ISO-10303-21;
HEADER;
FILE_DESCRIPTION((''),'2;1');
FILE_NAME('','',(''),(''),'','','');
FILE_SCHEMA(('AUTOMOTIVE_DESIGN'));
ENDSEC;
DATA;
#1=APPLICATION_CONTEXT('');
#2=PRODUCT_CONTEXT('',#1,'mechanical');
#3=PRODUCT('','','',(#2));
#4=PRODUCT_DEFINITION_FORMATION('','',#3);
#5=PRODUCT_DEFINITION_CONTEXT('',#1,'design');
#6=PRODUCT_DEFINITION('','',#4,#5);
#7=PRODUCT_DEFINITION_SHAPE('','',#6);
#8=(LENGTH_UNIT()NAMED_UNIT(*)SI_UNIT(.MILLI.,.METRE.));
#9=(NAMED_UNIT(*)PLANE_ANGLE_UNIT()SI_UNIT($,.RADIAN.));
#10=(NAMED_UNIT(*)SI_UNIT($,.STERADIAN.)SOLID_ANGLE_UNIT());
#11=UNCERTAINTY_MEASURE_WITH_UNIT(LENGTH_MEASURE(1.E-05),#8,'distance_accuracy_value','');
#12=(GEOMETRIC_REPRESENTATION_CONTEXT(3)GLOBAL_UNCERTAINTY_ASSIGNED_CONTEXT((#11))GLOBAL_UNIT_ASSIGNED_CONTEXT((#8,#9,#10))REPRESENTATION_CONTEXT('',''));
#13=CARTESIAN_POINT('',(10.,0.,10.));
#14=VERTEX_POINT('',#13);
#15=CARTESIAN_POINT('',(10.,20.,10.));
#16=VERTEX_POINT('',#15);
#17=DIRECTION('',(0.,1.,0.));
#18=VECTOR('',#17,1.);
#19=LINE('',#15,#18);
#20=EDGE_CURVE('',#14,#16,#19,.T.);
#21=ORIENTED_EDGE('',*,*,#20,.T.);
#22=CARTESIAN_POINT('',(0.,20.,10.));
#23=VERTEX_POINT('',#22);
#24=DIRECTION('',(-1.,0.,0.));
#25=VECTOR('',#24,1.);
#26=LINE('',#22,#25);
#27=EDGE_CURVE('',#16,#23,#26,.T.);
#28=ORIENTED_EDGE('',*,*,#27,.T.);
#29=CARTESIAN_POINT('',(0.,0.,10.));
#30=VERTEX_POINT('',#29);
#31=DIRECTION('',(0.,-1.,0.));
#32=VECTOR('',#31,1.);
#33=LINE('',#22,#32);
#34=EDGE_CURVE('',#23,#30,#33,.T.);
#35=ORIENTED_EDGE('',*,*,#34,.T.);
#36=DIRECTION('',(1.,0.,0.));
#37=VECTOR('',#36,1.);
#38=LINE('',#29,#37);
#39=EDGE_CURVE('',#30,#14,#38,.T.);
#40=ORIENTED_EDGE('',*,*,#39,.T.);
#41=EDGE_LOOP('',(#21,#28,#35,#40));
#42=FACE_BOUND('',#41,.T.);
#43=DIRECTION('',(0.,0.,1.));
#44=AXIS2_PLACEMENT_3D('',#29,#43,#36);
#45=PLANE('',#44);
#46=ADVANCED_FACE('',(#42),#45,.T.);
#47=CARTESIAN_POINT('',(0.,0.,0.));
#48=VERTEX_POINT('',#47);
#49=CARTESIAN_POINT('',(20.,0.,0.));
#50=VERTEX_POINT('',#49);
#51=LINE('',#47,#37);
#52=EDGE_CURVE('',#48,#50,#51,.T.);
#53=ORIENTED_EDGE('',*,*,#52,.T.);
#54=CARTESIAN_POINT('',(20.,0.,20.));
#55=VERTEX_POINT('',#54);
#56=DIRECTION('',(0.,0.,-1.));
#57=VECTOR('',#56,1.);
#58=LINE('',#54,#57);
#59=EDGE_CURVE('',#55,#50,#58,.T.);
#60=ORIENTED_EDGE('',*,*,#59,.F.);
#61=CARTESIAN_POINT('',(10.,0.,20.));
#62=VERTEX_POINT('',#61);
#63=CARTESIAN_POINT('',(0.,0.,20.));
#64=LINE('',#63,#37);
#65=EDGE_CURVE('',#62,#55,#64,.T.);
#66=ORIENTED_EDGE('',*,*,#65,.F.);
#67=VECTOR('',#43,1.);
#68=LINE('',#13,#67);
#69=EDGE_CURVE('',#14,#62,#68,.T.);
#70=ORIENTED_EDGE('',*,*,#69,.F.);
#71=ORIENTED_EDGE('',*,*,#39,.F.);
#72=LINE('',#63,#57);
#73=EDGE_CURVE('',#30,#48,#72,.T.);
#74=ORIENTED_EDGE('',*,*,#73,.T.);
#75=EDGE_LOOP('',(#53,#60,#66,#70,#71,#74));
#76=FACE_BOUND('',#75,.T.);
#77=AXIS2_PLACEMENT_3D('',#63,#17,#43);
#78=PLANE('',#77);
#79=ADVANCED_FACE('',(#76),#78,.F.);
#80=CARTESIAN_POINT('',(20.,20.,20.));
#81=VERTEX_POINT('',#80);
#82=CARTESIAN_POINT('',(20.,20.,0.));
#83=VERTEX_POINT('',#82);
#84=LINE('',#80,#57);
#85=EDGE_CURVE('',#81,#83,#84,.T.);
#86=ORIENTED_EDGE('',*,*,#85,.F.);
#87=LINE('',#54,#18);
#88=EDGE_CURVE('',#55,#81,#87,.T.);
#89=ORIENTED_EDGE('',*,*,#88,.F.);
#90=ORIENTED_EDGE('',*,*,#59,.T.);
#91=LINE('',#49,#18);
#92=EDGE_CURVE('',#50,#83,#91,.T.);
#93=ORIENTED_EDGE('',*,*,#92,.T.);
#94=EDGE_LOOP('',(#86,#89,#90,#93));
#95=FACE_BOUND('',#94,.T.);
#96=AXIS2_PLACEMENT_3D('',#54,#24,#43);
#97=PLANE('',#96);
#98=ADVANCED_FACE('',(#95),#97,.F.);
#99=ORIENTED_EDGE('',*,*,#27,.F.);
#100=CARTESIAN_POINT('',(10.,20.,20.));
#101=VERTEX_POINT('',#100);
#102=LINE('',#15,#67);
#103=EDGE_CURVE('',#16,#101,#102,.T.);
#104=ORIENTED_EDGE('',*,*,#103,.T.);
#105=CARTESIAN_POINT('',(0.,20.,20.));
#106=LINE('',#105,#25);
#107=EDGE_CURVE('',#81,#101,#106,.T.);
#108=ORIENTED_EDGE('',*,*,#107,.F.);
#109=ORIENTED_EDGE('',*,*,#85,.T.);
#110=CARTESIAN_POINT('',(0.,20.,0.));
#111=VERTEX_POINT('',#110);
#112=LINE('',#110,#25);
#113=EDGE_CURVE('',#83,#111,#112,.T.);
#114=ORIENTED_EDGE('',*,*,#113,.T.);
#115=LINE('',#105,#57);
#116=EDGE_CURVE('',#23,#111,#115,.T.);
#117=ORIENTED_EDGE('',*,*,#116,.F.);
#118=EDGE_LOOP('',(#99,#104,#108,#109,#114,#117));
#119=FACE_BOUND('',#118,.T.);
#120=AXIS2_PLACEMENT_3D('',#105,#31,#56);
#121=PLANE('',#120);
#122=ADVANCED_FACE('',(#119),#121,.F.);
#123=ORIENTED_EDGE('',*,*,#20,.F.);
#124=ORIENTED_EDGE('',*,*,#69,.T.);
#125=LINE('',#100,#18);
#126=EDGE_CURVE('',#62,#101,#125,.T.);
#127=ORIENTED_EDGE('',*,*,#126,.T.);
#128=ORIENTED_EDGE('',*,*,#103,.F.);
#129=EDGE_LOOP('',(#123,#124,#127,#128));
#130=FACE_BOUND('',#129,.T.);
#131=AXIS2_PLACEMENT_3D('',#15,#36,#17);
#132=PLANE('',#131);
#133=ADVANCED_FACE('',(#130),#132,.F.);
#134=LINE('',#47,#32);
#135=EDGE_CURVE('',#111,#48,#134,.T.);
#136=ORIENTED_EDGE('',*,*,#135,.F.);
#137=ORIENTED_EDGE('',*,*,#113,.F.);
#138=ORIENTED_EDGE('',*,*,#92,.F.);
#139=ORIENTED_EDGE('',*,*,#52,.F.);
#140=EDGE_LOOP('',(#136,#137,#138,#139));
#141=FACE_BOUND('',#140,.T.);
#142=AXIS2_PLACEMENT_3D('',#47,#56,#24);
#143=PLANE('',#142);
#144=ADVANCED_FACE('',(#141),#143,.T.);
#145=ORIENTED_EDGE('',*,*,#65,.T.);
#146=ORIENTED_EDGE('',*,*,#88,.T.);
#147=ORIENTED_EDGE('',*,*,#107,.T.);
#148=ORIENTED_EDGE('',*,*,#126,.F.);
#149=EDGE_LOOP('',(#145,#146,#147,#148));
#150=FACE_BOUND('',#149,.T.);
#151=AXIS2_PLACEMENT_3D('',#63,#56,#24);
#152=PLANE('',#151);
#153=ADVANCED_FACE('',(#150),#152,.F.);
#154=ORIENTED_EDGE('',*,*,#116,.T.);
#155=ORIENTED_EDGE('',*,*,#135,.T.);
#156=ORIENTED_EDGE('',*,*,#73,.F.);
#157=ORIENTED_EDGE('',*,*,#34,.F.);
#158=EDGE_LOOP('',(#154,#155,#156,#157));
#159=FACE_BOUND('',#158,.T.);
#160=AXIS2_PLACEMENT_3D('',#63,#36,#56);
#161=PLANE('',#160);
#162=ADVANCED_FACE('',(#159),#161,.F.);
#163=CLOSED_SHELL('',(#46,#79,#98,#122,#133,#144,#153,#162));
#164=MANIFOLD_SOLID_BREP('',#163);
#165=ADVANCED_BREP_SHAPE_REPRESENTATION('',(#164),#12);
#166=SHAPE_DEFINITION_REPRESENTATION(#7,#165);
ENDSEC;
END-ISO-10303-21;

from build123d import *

# Parameters (mm, degrees)
SKETCH3_W           = 20
SKETCH3_H           = 20
BOSS_EXTRUDE1_DEPTH = 20
SKETCH4_W           = 10
SKETCH4_H           = 20
CUT_EXTRUDE1_DEPTH  = 10


with BuildPart() as part:
    # Sketch3 → Boss-Extrude1 (new body)
    with BuildSketch(Plane.XY):
        with Locations((10, 10)):
            Rectangle(SKETCH3_W, SKETCH3_H)
    extrude(amount=BOSS_EXTRUDE1_DEPTH)

    # Sketch4 → Cut-Extrude1 (cut)
    with BuildSketch(Plane.XY.offset(20)):
        with Locations((5, 10)):
            Rectangle(SKETCH4_W, SKETCH4_H)
    extrude(amount=-CUT_EXTRUDE1_DEPTH, mode=Mode.SUBTRACT)


solid = part.part
